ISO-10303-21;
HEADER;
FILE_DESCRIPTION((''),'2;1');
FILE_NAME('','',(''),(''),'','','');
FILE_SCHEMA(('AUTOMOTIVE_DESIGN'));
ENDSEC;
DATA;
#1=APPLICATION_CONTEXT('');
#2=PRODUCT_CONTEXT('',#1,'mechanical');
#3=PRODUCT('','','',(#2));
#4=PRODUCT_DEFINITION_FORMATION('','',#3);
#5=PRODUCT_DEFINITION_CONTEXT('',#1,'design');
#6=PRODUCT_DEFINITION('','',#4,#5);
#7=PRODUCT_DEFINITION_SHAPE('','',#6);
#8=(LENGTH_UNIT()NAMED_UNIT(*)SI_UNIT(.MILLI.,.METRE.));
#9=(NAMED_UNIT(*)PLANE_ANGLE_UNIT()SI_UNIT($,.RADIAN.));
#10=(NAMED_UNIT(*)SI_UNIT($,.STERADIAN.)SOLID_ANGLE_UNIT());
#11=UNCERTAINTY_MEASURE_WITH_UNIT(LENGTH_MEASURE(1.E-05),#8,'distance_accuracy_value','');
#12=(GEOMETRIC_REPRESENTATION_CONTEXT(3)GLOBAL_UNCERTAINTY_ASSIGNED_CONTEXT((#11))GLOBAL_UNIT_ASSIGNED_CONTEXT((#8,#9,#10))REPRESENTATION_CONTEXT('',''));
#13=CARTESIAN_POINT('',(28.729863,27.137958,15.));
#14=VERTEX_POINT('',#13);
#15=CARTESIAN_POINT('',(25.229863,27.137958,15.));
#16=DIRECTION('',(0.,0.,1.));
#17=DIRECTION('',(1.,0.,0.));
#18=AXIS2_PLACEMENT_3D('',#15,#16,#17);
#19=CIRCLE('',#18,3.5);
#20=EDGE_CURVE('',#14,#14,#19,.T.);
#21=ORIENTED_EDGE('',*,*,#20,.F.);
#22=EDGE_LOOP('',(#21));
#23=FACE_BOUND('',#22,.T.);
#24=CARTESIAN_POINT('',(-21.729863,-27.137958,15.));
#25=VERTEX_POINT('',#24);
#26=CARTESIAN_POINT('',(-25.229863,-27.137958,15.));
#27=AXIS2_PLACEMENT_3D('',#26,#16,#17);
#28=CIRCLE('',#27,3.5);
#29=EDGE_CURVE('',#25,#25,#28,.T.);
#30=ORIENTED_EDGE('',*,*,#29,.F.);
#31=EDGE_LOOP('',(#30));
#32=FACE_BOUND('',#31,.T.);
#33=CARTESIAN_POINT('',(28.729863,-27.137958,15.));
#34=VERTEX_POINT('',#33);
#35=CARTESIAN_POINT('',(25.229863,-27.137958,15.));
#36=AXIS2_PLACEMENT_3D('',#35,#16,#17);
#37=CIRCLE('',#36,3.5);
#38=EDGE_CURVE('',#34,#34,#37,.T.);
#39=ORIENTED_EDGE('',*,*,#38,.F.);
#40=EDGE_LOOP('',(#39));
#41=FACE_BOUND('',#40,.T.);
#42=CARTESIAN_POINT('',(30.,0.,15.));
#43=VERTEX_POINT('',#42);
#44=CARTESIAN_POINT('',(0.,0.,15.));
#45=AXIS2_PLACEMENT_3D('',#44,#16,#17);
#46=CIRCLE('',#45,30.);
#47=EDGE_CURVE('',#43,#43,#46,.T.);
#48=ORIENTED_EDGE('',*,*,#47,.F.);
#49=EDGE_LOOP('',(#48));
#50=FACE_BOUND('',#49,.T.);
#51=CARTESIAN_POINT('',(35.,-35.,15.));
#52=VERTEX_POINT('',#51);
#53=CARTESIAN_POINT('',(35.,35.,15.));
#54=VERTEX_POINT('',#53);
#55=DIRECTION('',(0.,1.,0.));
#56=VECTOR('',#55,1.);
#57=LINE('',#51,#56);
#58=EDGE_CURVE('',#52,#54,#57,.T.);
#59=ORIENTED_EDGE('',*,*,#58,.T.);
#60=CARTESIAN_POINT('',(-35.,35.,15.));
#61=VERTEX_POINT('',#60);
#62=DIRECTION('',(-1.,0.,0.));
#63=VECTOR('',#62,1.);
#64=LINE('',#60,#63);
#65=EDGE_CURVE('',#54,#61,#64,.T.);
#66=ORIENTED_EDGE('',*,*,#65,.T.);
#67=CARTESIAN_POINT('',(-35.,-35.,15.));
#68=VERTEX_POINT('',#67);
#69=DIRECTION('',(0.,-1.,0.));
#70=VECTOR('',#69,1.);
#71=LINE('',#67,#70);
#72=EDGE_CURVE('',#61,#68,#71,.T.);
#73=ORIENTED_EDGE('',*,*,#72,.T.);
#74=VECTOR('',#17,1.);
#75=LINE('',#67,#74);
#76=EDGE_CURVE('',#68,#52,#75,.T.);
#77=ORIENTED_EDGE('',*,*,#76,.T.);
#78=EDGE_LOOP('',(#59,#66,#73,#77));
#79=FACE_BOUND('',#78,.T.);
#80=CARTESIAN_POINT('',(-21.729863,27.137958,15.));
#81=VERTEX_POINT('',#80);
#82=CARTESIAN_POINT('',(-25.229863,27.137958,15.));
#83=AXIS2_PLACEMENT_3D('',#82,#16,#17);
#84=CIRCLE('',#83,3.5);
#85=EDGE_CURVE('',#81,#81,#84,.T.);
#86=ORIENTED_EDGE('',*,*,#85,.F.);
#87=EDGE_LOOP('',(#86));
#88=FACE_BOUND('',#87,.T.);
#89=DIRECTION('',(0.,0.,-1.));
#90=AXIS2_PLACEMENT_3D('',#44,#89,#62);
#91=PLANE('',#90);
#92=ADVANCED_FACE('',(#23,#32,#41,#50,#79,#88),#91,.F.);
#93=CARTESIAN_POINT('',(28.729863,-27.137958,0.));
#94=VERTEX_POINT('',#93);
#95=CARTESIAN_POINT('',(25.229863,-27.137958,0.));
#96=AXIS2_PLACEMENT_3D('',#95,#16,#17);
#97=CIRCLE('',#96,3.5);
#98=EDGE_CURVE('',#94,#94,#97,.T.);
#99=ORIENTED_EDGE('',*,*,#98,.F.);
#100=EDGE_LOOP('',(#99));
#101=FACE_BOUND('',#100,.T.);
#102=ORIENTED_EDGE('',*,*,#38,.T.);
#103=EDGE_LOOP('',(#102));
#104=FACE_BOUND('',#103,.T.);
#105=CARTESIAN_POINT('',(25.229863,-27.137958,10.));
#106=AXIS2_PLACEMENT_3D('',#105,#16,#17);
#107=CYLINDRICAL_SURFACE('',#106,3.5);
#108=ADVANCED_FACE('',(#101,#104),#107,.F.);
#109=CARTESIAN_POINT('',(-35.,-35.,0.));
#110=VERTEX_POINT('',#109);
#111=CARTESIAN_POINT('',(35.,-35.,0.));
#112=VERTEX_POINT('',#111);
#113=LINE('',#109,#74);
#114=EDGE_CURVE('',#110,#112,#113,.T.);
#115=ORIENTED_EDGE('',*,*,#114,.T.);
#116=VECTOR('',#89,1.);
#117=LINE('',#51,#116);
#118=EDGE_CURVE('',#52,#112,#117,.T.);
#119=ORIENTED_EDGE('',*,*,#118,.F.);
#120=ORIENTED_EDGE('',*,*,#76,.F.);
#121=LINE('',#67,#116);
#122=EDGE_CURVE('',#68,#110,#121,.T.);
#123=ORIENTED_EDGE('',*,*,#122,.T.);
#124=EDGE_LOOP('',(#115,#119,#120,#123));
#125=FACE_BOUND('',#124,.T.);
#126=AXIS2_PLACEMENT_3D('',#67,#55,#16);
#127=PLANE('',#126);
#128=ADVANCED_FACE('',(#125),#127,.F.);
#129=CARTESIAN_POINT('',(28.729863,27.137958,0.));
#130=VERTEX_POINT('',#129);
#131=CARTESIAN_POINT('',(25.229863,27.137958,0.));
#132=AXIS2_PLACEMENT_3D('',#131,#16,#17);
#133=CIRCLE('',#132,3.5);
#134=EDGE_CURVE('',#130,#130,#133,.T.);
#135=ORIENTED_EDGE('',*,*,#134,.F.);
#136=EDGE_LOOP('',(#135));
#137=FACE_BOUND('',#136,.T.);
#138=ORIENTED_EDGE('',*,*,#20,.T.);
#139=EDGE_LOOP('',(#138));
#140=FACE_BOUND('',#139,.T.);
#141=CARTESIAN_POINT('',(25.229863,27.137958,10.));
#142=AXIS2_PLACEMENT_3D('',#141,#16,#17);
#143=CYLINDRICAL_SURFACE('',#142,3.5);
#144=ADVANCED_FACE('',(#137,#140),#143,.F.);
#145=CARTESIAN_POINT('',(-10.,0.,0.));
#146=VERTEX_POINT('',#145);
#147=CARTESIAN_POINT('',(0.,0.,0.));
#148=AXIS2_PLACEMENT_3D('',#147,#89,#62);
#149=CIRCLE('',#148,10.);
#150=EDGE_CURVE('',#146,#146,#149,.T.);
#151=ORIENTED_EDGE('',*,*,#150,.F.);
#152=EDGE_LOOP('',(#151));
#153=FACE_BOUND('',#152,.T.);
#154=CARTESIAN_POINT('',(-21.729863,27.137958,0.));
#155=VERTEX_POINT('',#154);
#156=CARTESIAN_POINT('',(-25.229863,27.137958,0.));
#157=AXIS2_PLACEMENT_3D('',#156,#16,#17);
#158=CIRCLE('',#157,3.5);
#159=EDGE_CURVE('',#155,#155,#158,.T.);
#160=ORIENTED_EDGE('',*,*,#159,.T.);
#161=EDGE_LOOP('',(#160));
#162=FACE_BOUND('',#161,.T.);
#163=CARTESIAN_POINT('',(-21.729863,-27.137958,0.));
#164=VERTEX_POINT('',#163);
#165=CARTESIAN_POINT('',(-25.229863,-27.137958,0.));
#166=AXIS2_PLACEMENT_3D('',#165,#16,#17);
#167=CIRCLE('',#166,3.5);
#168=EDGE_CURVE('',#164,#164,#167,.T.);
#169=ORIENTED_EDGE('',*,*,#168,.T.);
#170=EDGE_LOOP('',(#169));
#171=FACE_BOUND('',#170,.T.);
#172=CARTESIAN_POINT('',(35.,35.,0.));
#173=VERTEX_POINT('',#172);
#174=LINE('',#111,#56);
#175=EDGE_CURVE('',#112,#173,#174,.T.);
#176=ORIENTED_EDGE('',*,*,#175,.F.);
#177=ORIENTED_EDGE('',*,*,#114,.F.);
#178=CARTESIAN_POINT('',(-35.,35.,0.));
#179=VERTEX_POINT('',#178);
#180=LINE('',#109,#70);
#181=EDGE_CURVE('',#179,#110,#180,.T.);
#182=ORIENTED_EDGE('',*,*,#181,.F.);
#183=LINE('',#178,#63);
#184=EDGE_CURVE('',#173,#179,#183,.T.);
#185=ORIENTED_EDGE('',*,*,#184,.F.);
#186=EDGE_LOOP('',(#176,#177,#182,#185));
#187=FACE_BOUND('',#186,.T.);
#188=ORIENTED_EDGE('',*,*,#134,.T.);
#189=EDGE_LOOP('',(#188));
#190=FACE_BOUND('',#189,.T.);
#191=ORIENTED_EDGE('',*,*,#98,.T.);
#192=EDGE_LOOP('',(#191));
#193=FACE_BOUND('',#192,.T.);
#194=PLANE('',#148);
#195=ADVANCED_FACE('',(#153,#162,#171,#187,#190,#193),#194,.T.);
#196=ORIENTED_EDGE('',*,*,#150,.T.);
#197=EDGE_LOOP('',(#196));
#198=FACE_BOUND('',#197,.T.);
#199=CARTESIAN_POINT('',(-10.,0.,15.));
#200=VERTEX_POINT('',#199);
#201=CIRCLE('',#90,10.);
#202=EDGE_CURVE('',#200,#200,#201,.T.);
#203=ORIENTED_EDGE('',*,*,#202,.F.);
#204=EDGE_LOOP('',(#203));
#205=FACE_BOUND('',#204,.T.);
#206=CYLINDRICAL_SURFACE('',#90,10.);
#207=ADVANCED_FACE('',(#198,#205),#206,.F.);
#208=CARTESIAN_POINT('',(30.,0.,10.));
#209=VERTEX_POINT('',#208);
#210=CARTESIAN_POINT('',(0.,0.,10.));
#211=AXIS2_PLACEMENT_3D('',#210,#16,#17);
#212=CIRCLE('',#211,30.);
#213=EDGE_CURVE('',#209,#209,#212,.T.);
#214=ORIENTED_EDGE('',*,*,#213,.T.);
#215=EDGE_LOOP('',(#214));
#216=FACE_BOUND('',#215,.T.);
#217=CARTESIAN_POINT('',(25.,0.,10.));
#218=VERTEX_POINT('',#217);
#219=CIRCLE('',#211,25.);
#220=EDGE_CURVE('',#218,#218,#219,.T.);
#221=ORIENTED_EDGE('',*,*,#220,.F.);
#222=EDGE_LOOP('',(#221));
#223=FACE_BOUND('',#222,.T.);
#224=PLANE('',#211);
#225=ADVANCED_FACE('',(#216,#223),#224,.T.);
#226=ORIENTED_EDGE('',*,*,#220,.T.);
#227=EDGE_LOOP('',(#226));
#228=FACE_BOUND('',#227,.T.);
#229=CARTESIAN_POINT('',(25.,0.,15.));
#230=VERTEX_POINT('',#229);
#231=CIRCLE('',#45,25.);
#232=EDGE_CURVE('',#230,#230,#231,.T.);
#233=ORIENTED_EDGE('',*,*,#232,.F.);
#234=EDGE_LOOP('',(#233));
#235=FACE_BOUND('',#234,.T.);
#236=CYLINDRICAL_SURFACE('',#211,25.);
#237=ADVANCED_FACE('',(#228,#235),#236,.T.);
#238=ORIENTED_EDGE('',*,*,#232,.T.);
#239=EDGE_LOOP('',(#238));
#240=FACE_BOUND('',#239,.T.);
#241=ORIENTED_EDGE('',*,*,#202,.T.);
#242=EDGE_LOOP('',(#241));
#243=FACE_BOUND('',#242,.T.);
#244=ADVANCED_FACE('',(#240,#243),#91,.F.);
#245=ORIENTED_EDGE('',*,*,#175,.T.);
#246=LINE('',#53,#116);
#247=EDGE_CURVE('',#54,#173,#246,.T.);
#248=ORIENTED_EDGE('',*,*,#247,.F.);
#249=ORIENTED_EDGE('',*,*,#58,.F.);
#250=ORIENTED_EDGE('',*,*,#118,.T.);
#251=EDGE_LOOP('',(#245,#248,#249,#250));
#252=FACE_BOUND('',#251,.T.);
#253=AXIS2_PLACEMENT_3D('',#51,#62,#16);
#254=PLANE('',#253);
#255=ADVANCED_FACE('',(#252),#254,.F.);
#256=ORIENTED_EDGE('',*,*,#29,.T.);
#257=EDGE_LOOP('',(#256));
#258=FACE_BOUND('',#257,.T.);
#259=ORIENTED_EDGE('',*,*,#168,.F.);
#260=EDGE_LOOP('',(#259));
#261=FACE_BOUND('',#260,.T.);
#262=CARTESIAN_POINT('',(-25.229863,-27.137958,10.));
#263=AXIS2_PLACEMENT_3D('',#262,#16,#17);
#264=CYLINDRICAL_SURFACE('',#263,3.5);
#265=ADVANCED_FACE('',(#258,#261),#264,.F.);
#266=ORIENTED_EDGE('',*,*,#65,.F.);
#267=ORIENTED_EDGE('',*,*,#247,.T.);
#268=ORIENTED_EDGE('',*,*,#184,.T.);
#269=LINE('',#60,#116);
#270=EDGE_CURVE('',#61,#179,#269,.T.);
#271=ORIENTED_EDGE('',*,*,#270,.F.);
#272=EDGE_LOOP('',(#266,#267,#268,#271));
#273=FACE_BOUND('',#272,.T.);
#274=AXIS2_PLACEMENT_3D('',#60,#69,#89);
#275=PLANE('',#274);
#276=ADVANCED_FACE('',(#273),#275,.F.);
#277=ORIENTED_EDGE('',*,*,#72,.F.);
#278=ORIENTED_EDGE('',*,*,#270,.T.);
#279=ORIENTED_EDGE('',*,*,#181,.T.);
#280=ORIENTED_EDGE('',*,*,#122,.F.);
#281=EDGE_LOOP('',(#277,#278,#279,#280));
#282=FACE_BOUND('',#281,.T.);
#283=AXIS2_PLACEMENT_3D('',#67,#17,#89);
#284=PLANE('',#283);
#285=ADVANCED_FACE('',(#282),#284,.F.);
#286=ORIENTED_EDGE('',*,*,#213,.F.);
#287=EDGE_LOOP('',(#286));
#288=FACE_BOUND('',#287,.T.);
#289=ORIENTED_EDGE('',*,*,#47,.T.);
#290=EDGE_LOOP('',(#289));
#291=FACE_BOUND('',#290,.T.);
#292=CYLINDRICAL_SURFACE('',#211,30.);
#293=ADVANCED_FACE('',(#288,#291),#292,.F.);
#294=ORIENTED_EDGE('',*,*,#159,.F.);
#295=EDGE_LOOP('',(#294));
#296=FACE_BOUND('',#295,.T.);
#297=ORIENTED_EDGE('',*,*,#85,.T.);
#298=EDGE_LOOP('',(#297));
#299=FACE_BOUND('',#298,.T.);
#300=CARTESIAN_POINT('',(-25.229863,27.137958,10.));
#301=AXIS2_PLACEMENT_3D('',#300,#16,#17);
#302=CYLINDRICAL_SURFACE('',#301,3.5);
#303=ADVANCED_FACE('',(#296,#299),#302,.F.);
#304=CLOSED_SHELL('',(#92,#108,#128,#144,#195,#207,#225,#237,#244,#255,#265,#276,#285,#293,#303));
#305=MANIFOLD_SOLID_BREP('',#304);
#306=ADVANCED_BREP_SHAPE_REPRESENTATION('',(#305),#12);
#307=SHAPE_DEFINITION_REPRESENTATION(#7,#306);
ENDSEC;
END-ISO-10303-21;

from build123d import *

# Parameters (mm, degrees)
SKETCH1_W           = 70
SKETCH1_H           = 70
BOSS_EXTRUDE1_DEPTH = 15
SKETCH2_R           = 30
SKETCH2_R_2         = 25
SKETCH2_R_3         = 3.5
CUT_EXTRUDE1_DEPTH  = 5
SKETCH3_R           = 3.5
CUT_EXTRUDE2_DEPTH  = 16
SKETCH4_R           = 10
CUT_EXTRUDE3_DEPTH  = 16


with BuildPart() as part:
    # Sketch1 → Boss-Extrude1 (new body)
    with BuildSketch(Plane.XY):
        Rectangle(SKETCH1_W, SKETCH1_H)
    extrude(amount=BOSS_EXTRUDE1_DEPTH)

    # Sketch2 → Cut-Extrude1 (cut)
    with BuildSketch(Plane.XY.offset(15)):
        Circle(SKETCH2_R)
        Circle(SKETCH2_R_2, mode=Mode.SUBTRACT)
        with Locations((-25.229863316, 27.137958195)):
            Circle(SKETCH2_R_3)
        with Locations((25.229863316, 27.137958195)):
            Circle(SKETCH2_R_3)
        with Locations((25.229863316, -27.137958195)):
            Circle(SKETCH2_R_3)
        with Locations((-25.229863316, -27.137958195)):
            Circle(SKETCH2_R_3)
    extrude(amount=-CUT_EXTRUDE1_DEPTH, mode=Mode.SUBTRACT)

    # Sketch3 → Cut-Extrude2 (cut, through all)
    with BuildSketch(Plane.XY):
        with Locations((-25.229863316, 27.137958195)):
            Circle(SKETCH3_R)
        with Locations((25.229863316, 27.137958195)):
            Circle(SKETCH3_R)
        with Locations((25.229863316, -27.137958195)):
            Circle(SKETCH3_R)
        with Locations((-25.229863316, -27.137958195)):
            Circle(SKETCH3_R)
    extrude(amount=CUT_EXTRUDE2_DEPTH, mode=Mode.SUBTRACT)

    # Sketch4 → Cut-Extrude3 (cut, through all)
    with BuildSketch(Plane(origin=(0, 0, 0), x_dir=(-1, 0, 0), z_dir=(0, 0, -1))):
        Circle(SKETCH4_R)
    extrude(amount=-CUT_EXTRUDE3_DEPTH, mode=Mode.SUBTRACT)


solid = part.part
